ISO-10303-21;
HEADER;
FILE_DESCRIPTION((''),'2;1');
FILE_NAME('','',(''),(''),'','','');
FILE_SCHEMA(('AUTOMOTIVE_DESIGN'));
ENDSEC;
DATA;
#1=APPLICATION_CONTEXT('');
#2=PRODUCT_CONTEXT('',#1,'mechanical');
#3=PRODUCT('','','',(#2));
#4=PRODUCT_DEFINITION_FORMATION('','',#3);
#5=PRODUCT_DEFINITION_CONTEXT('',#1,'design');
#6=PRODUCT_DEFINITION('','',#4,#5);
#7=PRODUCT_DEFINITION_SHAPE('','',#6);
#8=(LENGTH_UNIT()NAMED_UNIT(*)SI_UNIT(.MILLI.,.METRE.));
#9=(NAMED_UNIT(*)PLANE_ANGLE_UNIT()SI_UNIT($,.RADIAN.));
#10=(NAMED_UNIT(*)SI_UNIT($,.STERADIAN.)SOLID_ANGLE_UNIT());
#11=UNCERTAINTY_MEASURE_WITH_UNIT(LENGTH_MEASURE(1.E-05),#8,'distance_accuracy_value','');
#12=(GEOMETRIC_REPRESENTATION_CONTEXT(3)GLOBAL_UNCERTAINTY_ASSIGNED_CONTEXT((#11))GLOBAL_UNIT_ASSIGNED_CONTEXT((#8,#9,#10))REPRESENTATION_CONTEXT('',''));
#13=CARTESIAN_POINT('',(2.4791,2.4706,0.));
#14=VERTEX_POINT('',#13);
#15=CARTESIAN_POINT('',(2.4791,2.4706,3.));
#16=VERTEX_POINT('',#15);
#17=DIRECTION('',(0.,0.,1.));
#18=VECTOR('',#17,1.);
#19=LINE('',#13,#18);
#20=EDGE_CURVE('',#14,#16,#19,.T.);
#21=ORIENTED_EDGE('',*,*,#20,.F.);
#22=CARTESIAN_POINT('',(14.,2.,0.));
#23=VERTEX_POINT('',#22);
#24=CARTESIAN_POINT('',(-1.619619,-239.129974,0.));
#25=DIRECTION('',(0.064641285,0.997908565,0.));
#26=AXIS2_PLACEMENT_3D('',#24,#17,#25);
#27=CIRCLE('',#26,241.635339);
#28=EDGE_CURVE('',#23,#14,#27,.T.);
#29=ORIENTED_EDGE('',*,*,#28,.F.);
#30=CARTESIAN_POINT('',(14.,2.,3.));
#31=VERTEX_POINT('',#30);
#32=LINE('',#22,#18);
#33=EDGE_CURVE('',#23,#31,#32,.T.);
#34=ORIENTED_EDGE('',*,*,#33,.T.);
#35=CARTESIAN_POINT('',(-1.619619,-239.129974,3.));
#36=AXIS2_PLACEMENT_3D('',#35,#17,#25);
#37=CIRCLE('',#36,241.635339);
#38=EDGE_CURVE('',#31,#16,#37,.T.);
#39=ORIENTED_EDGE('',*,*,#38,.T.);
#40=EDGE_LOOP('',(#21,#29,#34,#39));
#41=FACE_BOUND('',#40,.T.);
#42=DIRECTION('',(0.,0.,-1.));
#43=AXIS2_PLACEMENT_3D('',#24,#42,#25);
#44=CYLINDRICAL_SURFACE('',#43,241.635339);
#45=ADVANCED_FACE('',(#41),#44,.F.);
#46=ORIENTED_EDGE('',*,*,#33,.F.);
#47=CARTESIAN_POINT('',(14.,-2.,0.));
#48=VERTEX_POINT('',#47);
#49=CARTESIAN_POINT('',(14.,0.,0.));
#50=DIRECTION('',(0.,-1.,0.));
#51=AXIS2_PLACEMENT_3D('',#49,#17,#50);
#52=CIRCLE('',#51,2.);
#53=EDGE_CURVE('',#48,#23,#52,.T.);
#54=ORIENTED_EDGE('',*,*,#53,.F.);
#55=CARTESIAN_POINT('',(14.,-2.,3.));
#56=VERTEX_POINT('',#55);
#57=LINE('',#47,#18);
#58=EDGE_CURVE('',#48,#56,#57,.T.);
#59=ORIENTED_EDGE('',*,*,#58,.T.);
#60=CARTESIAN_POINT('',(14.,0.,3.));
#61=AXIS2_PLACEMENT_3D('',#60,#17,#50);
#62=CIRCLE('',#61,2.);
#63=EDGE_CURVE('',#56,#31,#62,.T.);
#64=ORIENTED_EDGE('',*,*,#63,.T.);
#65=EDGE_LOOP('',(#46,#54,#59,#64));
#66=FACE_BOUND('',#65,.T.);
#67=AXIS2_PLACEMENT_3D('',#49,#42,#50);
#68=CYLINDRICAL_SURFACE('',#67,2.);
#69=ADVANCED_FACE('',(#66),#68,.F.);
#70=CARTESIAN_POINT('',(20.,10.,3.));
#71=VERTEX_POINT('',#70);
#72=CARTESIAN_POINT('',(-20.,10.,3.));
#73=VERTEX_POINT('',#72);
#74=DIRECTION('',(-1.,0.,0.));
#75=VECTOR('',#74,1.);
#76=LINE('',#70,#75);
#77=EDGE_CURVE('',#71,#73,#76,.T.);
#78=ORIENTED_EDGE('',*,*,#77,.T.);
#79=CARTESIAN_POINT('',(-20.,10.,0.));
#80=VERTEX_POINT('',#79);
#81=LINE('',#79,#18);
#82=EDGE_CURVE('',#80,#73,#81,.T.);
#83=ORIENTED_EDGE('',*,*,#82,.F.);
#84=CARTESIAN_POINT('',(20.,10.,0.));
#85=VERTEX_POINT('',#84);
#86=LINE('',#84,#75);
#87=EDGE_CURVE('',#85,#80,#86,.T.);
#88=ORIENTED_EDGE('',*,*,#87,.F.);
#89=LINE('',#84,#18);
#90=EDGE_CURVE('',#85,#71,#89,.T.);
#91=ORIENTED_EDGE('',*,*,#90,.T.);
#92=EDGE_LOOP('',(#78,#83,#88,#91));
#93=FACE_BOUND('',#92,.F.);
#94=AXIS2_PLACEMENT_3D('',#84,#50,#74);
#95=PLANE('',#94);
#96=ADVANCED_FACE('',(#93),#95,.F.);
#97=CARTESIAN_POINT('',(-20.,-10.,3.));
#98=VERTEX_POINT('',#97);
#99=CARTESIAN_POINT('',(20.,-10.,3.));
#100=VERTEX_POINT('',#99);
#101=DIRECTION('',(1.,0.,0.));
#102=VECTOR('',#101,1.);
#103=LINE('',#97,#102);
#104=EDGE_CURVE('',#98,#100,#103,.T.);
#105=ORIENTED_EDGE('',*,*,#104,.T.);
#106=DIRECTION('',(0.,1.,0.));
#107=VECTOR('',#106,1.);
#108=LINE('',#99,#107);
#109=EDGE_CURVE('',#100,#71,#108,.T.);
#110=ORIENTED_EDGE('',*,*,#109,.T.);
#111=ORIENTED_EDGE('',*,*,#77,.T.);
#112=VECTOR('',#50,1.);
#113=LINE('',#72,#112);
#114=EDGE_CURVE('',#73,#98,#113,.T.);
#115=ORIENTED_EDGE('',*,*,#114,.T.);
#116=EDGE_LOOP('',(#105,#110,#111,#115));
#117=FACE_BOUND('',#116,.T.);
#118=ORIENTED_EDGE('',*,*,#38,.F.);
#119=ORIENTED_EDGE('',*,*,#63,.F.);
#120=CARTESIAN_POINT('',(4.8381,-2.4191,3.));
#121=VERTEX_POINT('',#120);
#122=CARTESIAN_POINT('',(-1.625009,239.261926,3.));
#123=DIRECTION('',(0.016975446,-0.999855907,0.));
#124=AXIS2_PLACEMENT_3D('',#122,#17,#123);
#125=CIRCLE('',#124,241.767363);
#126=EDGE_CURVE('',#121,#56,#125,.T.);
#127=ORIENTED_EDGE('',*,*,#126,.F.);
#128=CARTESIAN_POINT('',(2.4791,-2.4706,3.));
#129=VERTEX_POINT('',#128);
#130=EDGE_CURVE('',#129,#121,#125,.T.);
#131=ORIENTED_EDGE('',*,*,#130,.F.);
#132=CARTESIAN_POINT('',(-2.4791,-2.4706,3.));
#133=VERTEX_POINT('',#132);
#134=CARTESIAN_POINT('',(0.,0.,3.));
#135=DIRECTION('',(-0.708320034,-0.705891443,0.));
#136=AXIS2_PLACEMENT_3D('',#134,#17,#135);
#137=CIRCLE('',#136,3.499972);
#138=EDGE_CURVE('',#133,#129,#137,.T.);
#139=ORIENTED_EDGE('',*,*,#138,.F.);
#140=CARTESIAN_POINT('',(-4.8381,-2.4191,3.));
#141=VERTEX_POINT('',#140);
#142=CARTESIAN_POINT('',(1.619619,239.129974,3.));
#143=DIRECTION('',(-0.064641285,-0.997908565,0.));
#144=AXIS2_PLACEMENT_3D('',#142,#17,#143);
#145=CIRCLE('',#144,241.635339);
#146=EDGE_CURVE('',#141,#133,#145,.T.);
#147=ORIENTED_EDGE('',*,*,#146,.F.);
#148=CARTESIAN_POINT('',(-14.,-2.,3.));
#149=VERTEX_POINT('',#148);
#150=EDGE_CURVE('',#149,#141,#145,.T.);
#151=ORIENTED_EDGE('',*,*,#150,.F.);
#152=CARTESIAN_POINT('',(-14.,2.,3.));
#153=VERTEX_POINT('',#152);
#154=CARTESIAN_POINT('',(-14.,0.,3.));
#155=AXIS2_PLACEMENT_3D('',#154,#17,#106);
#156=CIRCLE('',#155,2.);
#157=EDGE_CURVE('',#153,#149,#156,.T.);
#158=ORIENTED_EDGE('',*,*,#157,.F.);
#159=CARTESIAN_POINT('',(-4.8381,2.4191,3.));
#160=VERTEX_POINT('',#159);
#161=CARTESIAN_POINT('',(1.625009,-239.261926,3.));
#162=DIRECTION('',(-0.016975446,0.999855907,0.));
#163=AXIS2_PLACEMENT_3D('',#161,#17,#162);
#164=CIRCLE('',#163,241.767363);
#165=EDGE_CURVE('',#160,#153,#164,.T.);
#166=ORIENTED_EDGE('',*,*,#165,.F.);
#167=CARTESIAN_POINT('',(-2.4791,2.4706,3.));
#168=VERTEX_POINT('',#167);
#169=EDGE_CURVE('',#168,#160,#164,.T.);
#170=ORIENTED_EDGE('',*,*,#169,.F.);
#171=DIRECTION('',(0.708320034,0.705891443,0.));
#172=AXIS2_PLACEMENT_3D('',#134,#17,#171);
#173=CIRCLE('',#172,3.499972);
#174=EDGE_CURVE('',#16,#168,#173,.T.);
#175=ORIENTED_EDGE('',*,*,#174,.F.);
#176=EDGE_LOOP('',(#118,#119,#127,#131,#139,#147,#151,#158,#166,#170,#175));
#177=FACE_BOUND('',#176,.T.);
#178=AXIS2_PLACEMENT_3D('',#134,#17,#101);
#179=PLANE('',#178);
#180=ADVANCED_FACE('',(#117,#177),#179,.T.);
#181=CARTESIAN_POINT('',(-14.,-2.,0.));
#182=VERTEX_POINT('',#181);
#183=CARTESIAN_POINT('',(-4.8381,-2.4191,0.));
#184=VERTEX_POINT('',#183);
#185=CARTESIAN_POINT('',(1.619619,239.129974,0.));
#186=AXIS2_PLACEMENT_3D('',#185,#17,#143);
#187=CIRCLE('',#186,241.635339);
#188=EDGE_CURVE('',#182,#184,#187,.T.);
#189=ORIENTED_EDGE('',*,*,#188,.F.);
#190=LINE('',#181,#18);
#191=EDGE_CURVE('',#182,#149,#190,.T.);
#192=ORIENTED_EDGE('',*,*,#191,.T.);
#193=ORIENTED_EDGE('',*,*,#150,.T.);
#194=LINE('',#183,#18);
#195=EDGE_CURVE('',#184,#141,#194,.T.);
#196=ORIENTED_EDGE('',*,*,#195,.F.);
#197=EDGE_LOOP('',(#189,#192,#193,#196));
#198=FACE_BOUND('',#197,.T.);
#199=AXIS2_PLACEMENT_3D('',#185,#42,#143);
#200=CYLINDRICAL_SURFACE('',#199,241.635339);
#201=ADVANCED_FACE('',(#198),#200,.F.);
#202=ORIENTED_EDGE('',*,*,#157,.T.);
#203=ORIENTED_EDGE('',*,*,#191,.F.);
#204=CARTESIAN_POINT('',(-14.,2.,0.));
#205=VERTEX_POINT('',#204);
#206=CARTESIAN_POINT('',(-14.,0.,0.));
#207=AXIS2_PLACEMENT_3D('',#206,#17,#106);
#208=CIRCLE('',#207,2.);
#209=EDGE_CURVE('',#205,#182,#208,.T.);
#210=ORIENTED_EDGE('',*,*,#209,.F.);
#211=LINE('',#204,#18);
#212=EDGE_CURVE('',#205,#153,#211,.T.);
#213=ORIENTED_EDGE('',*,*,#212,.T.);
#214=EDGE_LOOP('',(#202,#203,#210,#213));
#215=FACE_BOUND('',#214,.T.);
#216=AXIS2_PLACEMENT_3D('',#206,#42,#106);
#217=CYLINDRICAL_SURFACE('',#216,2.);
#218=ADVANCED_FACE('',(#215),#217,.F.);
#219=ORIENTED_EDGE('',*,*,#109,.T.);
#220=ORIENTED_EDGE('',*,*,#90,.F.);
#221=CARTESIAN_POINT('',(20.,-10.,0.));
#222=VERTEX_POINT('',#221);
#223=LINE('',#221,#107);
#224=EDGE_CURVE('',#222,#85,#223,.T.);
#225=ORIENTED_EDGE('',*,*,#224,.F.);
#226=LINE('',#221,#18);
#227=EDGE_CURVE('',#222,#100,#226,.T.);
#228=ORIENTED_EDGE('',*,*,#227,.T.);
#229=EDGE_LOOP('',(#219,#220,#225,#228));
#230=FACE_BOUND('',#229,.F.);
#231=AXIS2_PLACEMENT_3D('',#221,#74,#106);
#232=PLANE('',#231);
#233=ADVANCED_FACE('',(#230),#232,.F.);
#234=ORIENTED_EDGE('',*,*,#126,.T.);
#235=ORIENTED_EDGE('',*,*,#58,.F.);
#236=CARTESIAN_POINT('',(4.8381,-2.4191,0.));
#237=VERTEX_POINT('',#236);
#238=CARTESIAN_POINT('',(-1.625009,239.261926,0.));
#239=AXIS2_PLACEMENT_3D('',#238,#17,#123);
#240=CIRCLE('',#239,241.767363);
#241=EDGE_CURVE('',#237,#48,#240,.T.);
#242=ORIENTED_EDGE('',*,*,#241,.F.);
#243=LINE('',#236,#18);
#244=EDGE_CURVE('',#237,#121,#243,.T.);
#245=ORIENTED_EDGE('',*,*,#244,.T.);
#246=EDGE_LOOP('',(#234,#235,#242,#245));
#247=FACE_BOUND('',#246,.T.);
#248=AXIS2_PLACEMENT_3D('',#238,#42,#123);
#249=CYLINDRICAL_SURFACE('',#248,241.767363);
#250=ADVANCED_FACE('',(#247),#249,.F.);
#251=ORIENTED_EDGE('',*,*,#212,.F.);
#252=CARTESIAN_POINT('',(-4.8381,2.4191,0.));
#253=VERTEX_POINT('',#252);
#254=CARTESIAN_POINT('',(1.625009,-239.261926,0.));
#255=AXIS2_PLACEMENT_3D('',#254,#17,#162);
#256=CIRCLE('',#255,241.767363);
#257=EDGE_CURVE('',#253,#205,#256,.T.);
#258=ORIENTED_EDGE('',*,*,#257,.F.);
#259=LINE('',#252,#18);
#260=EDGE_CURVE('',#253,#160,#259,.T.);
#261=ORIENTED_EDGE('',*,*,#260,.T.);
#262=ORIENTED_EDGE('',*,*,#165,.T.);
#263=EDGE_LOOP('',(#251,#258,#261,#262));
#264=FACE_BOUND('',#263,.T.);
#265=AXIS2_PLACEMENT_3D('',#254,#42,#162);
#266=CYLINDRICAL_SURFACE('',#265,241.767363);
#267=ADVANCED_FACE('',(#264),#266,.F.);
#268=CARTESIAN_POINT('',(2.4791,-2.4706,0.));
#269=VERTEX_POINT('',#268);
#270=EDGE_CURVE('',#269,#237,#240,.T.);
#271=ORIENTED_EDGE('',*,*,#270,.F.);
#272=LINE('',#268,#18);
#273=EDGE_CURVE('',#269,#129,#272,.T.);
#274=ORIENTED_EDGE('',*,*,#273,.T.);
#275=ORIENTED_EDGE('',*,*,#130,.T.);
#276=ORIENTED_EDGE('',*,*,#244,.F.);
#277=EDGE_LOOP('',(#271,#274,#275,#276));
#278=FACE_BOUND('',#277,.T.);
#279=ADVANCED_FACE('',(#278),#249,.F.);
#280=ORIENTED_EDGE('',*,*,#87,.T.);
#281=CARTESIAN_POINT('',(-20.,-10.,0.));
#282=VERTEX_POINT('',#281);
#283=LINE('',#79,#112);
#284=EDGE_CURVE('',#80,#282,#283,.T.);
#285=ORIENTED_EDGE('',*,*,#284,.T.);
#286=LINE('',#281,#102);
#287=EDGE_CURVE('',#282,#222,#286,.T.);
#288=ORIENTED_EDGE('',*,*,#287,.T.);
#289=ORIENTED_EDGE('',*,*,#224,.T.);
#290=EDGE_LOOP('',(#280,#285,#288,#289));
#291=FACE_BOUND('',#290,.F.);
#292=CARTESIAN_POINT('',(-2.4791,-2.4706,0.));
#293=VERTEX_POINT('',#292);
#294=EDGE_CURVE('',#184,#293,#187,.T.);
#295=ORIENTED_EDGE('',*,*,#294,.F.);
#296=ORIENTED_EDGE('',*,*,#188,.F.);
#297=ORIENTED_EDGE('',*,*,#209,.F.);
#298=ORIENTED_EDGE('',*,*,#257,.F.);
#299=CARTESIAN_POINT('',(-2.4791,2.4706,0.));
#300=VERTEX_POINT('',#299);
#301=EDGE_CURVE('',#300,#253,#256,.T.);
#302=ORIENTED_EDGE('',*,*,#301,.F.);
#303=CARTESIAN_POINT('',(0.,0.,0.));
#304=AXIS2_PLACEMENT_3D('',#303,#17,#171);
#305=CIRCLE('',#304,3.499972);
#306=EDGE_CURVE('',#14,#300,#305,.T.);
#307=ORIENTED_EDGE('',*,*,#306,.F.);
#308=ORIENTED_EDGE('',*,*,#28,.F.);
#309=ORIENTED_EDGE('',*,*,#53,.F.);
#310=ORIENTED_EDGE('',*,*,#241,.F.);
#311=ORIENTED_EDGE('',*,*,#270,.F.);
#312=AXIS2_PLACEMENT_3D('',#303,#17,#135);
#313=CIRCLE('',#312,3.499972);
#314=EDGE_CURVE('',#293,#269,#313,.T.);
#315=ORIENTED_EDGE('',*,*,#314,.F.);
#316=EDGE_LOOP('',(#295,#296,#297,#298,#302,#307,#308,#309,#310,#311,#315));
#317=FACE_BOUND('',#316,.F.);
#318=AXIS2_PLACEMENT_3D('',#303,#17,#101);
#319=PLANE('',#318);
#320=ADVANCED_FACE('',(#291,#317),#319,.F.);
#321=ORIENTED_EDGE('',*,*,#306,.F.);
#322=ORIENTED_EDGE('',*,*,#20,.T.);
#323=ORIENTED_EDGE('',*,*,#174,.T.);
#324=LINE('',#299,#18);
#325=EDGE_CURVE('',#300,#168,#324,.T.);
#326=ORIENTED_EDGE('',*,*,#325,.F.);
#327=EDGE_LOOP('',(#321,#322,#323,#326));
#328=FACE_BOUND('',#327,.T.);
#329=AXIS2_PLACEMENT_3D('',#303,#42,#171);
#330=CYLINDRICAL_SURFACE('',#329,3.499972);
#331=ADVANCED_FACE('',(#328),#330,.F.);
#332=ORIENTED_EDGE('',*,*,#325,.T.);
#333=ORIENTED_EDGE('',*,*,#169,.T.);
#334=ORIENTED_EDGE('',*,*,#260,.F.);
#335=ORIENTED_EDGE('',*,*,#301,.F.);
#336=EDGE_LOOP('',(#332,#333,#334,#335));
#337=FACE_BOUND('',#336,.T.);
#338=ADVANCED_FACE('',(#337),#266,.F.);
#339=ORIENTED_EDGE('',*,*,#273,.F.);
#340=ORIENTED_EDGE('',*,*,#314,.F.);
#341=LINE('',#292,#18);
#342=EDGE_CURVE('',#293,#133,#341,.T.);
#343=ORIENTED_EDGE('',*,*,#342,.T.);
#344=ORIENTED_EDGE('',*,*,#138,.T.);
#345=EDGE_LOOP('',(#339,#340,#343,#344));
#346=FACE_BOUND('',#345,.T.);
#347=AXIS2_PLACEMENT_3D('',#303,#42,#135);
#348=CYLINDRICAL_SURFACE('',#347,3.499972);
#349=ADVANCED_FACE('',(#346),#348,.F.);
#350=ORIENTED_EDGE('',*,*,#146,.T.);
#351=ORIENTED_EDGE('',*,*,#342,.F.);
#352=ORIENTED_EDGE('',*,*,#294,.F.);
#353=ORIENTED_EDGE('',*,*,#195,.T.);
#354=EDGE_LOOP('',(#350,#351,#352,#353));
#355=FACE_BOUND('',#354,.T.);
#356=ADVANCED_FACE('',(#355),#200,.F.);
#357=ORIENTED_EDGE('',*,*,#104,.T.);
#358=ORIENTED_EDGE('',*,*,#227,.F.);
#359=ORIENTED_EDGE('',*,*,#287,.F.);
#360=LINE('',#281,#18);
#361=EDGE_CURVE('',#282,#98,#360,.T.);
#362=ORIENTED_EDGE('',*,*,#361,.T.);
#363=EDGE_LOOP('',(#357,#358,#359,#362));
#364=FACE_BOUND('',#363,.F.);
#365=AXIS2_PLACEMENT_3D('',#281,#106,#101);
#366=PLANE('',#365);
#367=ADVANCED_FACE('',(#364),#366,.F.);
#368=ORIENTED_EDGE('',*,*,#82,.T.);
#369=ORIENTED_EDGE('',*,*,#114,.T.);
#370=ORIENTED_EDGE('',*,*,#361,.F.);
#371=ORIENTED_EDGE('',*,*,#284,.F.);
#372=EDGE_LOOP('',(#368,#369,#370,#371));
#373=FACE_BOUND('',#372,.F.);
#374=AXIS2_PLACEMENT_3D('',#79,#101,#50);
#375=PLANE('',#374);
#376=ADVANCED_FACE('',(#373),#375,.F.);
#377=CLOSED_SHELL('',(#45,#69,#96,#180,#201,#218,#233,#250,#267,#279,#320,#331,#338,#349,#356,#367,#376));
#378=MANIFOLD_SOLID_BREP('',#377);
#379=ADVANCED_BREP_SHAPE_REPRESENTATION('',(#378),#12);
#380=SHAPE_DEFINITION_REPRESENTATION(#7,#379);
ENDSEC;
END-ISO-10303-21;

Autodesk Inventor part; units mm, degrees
ref_plane "YZ Plane" through (0, 0, 0) normal (1, 0, 0) x (0, 1, 0)
ref_plane "XZ Plane" through (0, 0, 0) normal (0, 1, 0) x (-1, 0, 0)
ref_plane "XY Plane" through (0, 0, 0) normal (0, 0, 1) x (1, 0, 0)
sketch "Boceto1" plane through (0, 0, 0) normal (0, 0, 1) x (1, 0, 0)
  arc A0 (-2.4791, 2.4706) -> (-14, 2) centre (1.6231, -239.1959) ccw
  arc A1 (-14, 2) -> (-14, -2) centre (-14, 0) ccw
  arc A2 (-14, -2) -> (-2.4791, -2.4706) centre (1.6231, 239.1959) ccw
  arc A3 (2.4791, -2.4706) -> (14, -2) centre (-1.6231, 239.1959) ccw
  arc A4 (14, -2) -> (14, 2) centre (14, 0) ccw
  arc A5 (14, 2) -> (2.4791, 2.4706) centre (-1.6231, -239.1959) ccw
  line L0 (-20, -10) -> (20, -10)
  line L1 (20, -10) -> (20, 10)
  line L2 (20, 10) -> (-20, 10)
  line L3 (-20, 10) -> (-20, -10)
  line L4 (-20, -10) -> (20, 10) construction
  line L5 (20, -10) -> (-20, 10) construction
  arc A6 (-2.4791, -2.4706) -> (2.4791, -2.4706) centre (0, 0) ccw
  arc A7 (2.4791, 2.4706) -> (-2.4791, 2.4706) centre (0, 0) ccw
  line L6 (-4.8381, 2.4191) -> (-4.8381, -2.4191)
  line L7 (4.8381, -2.4191) -> (2.4791, 2.4706)
  dimension "d2" = 40
extrude "Extrusión1" add sketch "Boceto1" along normal blind 3
properties part number "acople madera" material "Madera (nogal)"
